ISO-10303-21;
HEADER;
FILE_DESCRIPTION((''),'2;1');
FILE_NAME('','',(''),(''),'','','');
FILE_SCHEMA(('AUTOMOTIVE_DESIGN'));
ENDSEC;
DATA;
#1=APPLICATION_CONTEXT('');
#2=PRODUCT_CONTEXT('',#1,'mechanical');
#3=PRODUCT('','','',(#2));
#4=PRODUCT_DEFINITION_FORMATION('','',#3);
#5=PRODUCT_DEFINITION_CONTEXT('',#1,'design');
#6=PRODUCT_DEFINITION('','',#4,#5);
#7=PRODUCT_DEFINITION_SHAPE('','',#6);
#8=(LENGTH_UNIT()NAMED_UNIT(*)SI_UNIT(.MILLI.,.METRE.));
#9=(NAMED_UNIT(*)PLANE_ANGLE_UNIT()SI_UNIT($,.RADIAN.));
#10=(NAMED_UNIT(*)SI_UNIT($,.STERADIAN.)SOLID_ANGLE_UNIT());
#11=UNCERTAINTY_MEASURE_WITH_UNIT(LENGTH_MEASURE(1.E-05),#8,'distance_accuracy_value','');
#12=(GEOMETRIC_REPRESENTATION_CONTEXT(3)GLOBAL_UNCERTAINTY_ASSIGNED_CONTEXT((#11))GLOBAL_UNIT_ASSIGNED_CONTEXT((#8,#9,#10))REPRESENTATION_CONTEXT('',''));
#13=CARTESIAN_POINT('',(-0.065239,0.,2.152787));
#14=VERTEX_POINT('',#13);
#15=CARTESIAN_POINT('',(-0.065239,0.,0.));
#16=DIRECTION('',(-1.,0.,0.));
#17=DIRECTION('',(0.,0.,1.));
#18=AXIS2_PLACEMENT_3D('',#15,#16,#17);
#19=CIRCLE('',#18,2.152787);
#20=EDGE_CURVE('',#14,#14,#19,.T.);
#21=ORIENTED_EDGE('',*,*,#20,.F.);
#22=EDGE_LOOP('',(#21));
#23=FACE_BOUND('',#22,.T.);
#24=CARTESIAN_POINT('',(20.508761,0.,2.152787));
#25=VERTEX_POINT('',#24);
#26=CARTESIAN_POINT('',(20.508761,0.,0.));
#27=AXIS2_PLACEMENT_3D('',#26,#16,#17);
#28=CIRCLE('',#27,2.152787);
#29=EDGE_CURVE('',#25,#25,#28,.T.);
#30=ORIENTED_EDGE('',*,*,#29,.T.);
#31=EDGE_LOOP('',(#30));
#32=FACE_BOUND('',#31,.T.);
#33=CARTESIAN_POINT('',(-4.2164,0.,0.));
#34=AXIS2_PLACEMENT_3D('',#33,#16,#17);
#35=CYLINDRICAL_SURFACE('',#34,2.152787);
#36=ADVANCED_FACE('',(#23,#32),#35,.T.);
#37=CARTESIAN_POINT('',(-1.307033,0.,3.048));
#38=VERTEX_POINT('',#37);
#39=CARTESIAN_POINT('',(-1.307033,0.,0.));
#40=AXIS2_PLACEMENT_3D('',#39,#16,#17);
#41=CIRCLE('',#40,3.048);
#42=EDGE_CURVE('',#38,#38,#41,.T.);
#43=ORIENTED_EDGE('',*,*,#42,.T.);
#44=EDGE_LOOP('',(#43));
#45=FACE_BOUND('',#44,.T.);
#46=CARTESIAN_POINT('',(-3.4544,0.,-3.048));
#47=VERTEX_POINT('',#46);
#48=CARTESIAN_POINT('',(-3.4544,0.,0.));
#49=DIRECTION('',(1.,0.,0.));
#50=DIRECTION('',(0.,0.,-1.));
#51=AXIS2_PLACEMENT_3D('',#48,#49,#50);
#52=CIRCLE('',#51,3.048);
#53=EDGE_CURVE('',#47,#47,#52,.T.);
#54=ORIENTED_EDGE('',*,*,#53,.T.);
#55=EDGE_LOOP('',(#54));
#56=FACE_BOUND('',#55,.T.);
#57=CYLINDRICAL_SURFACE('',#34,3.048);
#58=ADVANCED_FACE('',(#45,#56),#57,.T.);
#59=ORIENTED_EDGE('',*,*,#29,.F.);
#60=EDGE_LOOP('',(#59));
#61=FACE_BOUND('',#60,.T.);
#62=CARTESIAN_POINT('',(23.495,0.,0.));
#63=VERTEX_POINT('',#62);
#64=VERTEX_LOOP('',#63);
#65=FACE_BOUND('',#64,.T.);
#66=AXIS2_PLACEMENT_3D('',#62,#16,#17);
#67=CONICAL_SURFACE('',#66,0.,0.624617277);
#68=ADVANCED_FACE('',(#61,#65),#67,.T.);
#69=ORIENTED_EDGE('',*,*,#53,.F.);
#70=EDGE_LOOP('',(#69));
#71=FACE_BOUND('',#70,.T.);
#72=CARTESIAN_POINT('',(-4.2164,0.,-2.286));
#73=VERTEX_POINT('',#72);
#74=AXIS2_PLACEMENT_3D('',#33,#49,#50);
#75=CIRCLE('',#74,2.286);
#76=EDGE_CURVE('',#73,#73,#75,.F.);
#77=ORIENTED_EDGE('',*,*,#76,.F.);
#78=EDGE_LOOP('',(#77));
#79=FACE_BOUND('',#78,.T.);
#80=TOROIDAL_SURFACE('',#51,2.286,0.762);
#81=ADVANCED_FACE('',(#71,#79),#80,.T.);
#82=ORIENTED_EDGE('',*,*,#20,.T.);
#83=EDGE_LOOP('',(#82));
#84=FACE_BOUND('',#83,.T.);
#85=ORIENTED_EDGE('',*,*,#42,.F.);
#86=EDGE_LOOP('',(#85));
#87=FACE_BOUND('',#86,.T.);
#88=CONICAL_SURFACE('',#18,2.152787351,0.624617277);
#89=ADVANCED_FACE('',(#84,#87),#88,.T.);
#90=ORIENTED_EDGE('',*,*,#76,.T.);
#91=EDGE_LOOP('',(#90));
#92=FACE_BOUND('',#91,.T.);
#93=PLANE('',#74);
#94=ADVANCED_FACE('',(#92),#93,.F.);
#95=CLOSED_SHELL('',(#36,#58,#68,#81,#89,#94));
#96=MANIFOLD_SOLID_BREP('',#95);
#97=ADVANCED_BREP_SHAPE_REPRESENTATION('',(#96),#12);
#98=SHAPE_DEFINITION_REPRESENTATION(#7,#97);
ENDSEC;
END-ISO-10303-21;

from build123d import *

# Parameters (mm, degrees)
FILLET1_R = 0.762


with BuildPart() as part:
    # Sketch1 → Revolve1 (revolve)
    with BuildSketch(Plane.XY, mode=Mode.PRIVATE) as revolve1_sk:
        Polygon((-4.2164, 3.048), (-4.2164, 0), (0, 0), (23.495, 0), (20.508761383, 2.152787351), (-0.065238617, 2.152787351), (-1.307032694, 3.048), align=None)
    revolve(revolve1_sk.sketch.rotate(Axis((-4.2164, 0, 0), (1, 0, 0)), 90), axis=Axis((-4.2164, 0, 0), (1, 0, 0)))

    # Fillet1
    fillet1_edges = [part.edges().sort_by_distance(p)[0] for p in [
        (-4.2164, 0, -3.048),
    ]]
    fillet(fillet1_edges, radius=FILLET1_R)


solid = part.part
